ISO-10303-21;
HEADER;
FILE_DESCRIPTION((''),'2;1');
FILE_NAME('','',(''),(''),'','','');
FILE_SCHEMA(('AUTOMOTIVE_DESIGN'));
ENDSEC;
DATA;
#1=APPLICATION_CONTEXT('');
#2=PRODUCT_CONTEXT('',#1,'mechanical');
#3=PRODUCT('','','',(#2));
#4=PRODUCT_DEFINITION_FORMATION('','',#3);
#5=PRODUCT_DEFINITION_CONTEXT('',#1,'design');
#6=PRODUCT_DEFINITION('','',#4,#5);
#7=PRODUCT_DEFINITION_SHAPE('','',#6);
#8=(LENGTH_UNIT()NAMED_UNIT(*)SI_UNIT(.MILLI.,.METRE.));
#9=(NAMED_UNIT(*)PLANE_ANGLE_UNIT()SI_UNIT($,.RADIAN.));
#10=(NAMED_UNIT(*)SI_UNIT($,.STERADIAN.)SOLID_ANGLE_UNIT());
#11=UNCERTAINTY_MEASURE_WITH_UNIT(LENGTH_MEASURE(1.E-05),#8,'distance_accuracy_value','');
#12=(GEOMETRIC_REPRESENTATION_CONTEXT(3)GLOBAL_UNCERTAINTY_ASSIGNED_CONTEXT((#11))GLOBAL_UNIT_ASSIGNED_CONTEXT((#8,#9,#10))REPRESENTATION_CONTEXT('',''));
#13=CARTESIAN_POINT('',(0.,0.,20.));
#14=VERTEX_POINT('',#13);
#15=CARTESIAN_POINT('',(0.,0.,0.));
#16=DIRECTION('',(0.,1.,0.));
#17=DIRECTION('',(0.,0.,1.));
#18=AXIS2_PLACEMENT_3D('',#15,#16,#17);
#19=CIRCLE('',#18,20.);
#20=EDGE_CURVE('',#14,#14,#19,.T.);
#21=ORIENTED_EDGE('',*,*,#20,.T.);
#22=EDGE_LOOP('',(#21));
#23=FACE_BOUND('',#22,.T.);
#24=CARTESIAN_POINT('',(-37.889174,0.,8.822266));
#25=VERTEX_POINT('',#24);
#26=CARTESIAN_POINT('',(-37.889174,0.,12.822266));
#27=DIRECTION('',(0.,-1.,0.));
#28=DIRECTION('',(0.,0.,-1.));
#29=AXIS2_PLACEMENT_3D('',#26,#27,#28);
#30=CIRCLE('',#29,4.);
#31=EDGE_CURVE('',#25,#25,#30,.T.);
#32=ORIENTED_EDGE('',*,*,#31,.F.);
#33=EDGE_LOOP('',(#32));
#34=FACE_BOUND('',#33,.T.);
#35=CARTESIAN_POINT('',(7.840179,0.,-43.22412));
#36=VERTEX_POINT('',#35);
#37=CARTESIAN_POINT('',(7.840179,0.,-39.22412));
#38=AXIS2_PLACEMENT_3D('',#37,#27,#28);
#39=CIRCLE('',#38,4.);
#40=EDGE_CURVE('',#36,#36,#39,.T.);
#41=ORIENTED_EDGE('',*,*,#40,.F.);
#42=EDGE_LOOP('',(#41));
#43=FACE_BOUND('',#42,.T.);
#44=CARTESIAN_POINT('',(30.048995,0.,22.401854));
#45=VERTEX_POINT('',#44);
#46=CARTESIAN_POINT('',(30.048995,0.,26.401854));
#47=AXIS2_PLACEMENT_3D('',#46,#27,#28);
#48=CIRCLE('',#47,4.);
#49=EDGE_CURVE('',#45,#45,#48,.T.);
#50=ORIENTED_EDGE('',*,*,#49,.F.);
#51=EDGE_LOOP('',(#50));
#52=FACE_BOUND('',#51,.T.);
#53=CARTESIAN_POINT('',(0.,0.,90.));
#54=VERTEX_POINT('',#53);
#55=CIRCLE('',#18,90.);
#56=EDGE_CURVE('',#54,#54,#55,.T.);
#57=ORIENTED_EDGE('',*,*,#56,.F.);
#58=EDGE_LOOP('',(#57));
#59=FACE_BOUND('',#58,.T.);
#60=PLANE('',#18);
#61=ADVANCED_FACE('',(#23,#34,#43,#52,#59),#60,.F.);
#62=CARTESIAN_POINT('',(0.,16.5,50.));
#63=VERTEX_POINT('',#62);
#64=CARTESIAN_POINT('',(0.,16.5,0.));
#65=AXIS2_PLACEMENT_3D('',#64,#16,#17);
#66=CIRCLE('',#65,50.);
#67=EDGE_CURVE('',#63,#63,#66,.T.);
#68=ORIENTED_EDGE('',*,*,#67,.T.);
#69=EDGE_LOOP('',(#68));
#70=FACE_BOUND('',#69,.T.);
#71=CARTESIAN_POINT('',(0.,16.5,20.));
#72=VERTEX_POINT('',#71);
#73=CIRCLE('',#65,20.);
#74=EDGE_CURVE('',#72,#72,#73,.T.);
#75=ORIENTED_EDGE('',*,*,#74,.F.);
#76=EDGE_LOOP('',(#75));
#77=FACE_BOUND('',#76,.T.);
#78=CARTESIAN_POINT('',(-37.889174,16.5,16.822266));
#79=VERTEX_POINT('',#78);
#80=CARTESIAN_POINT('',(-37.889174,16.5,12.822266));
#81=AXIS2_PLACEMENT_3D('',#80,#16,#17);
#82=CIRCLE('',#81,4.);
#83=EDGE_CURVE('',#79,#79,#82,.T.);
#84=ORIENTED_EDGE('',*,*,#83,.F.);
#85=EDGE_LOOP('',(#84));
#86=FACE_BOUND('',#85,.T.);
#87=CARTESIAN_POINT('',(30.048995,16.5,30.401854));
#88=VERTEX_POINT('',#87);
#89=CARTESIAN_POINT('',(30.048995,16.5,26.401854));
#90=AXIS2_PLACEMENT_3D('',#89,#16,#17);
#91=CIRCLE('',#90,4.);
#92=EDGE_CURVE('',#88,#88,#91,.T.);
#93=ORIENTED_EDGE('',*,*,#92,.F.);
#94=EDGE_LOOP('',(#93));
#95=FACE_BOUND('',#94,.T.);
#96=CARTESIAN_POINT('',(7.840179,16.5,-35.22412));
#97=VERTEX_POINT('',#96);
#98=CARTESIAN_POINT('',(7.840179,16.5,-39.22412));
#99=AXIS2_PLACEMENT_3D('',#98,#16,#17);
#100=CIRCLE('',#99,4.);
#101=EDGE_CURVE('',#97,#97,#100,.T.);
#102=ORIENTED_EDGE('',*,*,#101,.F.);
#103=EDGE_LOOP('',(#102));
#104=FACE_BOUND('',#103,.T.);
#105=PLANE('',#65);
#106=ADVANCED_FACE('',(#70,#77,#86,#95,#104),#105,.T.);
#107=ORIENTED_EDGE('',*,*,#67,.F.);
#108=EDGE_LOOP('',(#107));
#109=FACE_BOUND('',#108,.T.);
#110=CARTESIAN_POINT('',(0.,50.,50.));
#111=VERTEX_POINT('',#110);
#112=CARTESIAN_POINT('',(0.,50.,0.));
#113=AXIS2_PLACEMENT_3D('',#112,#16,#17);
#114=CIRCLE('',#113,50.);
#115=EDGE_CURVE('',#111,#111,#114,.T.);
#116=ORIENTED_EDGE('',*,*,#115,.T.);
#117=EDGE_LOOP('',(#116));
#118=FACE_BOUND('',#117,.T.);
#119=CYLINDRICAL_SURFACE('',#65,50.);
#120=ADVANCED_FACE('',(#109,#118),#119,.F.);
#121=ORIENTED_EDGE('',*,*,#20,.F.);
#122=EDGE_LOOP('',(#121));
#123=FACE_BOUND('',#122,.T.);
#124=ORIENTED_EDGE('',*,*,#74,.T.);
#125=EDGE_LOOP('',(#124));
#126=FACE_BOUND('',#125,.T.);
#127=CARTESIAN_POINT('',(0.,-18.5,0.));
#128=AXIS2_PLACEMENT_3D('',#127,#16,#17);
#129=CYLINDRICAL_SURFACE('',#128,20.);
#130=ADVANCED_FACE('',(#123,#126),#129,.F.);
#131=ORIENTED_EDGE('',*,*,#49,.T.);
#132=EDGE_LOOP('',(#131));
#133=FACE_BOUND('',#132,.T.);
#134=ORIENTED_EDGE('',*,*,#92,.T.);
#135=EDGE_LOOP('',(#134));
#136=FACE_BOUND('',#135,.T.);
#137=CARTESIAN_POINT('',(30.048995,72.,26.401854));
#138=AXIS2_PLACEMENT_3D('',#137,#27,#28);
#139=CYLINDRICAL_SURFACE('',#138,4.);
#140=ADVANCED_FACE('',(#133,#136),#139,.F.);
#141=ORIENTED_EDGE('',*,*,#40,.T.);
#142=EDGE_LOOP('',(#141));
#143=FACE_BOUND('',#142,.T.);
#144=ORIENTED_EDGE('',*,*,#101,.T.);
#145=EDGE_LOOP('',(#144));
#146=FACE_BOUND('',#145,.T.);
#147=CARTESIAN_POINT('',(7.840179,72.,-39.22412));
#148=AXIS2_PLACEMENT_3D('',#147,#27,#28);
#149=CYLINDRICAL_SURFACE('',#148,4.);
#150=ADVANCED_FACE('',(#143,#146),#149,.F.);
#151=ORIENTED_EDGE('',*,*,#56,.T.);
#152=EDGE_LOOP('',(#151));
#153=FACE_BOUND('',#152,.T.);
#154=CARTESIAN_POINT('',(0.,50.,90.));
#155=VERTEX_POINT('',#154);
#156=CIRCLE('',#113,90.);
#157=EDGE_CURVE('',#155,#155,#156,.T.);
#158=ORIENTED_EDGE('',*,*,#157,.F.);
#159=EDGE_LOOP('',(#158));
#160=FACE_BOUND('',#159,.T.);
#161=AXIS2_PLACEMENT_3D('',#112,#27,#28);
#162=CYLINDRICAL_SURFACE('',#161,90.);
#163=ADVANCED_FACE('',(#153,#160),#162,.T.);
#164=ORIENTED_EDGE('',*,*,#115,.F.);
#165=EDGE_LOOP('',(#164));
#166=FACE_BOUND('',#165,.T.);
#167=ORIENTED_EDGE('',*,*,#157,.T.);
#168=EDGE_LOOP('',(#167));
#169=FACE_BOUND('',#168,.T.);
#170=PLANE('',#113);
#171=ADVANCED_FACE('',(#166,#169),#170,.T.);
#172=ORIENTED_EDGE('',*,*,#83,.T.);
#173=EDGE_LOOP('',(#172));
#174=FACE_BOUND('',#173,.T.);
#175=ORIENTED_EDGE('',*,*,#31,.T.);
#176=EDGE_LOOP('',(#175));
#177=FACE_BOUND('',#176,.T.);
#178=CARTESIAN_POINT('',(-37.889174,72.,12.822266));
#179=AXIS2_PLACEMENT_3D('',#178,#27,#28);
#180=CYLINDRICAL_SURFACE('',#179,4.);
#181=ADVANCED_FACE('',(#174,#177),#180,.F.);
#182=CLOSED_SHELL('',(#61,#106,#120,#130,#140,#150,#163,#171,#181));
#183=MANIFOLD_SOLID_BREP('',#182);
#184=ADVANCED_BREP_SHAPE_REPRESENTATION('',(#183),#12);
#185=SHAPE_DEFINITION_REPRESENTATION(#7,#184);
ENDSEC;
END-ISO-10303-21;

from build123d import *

# Parameters (mm, degrees)
SKETCH1_R           = 90
BOSS_EXTRUDE1_DEPTH = 50
SKETCH2_R           = 50
CUT_EXTRUDE1_DEPTH  = 33.5
SKETCH3_R           = 20
CUT_EXTRUDE2_DEPTH  = 35
SKETCH4_R           = 4
CUT_EXTRUDE3_DEPTH  = 72


with BuildPart() as part:
    # Sketch1 → Boss-Extrude1 (new body)
    with BuildSketch(Plane(origin=(0, 0, 0), x_dir=(1, 0, 0), z_dir=(0, 1, 0))):
        with Locations(Location((0, 0, 0), (0, 0, 270))):
            Circle(SKETCH1_R)
    extrude(amount=BOSS_EXTRUDE1_DEPTH)

    # Sketch2 → Cut-Extrude1 (cut)
    with BuildSketch(Plane(origin=(0, 50, 0), x_dir=(1, 0, 0), z_dir=(0, 1, 0))):
        with Locations(Location((0, 0, 0), (0, 0, 270))):
            Circle(SKETCH2_R)
    extrude(amount=-CUT_EXTRUDE1_DEPTH, mode=Mode.SUBTRACT)

    # Sketch3 → Cut-Extrude2 (cut)
    with BuildSketch(Plane(origin=(0, 16.5, 0), x_dir=(1, 0, 0), z_dir=(0, 1, 0))):
        with Locations(Location((0, 0, 0), (0, 0, 270))):
            Circle(SKETCH3_R)
    extrude(amount=-CUT_EXTRUDE2_DEPTH, mode=Mode.SUBTRACT)

    # Sketch4 → Cut-Extrude3 (cut)
    with BuildSketch(Plane.XZ):
        with Locations(Location((-37.889173801, 12.822266129, 0), (0, 0, 270))):
            Circle(SKETCH4_R)
        with Locations(Location((7.840178699, -39.224120105, 0), (0, 0, 270))):
            Circle(SKETCH4_R)
        with Locations(Location((30.048995102, 26.401853976, 0), (0, 0, 270))):
            Circle(SKETCH4_R)
    extrude(amount=-CUT_EXTRUDE3_DEPTH, mode=Mode.SUBTRACT)


solid = part.part
